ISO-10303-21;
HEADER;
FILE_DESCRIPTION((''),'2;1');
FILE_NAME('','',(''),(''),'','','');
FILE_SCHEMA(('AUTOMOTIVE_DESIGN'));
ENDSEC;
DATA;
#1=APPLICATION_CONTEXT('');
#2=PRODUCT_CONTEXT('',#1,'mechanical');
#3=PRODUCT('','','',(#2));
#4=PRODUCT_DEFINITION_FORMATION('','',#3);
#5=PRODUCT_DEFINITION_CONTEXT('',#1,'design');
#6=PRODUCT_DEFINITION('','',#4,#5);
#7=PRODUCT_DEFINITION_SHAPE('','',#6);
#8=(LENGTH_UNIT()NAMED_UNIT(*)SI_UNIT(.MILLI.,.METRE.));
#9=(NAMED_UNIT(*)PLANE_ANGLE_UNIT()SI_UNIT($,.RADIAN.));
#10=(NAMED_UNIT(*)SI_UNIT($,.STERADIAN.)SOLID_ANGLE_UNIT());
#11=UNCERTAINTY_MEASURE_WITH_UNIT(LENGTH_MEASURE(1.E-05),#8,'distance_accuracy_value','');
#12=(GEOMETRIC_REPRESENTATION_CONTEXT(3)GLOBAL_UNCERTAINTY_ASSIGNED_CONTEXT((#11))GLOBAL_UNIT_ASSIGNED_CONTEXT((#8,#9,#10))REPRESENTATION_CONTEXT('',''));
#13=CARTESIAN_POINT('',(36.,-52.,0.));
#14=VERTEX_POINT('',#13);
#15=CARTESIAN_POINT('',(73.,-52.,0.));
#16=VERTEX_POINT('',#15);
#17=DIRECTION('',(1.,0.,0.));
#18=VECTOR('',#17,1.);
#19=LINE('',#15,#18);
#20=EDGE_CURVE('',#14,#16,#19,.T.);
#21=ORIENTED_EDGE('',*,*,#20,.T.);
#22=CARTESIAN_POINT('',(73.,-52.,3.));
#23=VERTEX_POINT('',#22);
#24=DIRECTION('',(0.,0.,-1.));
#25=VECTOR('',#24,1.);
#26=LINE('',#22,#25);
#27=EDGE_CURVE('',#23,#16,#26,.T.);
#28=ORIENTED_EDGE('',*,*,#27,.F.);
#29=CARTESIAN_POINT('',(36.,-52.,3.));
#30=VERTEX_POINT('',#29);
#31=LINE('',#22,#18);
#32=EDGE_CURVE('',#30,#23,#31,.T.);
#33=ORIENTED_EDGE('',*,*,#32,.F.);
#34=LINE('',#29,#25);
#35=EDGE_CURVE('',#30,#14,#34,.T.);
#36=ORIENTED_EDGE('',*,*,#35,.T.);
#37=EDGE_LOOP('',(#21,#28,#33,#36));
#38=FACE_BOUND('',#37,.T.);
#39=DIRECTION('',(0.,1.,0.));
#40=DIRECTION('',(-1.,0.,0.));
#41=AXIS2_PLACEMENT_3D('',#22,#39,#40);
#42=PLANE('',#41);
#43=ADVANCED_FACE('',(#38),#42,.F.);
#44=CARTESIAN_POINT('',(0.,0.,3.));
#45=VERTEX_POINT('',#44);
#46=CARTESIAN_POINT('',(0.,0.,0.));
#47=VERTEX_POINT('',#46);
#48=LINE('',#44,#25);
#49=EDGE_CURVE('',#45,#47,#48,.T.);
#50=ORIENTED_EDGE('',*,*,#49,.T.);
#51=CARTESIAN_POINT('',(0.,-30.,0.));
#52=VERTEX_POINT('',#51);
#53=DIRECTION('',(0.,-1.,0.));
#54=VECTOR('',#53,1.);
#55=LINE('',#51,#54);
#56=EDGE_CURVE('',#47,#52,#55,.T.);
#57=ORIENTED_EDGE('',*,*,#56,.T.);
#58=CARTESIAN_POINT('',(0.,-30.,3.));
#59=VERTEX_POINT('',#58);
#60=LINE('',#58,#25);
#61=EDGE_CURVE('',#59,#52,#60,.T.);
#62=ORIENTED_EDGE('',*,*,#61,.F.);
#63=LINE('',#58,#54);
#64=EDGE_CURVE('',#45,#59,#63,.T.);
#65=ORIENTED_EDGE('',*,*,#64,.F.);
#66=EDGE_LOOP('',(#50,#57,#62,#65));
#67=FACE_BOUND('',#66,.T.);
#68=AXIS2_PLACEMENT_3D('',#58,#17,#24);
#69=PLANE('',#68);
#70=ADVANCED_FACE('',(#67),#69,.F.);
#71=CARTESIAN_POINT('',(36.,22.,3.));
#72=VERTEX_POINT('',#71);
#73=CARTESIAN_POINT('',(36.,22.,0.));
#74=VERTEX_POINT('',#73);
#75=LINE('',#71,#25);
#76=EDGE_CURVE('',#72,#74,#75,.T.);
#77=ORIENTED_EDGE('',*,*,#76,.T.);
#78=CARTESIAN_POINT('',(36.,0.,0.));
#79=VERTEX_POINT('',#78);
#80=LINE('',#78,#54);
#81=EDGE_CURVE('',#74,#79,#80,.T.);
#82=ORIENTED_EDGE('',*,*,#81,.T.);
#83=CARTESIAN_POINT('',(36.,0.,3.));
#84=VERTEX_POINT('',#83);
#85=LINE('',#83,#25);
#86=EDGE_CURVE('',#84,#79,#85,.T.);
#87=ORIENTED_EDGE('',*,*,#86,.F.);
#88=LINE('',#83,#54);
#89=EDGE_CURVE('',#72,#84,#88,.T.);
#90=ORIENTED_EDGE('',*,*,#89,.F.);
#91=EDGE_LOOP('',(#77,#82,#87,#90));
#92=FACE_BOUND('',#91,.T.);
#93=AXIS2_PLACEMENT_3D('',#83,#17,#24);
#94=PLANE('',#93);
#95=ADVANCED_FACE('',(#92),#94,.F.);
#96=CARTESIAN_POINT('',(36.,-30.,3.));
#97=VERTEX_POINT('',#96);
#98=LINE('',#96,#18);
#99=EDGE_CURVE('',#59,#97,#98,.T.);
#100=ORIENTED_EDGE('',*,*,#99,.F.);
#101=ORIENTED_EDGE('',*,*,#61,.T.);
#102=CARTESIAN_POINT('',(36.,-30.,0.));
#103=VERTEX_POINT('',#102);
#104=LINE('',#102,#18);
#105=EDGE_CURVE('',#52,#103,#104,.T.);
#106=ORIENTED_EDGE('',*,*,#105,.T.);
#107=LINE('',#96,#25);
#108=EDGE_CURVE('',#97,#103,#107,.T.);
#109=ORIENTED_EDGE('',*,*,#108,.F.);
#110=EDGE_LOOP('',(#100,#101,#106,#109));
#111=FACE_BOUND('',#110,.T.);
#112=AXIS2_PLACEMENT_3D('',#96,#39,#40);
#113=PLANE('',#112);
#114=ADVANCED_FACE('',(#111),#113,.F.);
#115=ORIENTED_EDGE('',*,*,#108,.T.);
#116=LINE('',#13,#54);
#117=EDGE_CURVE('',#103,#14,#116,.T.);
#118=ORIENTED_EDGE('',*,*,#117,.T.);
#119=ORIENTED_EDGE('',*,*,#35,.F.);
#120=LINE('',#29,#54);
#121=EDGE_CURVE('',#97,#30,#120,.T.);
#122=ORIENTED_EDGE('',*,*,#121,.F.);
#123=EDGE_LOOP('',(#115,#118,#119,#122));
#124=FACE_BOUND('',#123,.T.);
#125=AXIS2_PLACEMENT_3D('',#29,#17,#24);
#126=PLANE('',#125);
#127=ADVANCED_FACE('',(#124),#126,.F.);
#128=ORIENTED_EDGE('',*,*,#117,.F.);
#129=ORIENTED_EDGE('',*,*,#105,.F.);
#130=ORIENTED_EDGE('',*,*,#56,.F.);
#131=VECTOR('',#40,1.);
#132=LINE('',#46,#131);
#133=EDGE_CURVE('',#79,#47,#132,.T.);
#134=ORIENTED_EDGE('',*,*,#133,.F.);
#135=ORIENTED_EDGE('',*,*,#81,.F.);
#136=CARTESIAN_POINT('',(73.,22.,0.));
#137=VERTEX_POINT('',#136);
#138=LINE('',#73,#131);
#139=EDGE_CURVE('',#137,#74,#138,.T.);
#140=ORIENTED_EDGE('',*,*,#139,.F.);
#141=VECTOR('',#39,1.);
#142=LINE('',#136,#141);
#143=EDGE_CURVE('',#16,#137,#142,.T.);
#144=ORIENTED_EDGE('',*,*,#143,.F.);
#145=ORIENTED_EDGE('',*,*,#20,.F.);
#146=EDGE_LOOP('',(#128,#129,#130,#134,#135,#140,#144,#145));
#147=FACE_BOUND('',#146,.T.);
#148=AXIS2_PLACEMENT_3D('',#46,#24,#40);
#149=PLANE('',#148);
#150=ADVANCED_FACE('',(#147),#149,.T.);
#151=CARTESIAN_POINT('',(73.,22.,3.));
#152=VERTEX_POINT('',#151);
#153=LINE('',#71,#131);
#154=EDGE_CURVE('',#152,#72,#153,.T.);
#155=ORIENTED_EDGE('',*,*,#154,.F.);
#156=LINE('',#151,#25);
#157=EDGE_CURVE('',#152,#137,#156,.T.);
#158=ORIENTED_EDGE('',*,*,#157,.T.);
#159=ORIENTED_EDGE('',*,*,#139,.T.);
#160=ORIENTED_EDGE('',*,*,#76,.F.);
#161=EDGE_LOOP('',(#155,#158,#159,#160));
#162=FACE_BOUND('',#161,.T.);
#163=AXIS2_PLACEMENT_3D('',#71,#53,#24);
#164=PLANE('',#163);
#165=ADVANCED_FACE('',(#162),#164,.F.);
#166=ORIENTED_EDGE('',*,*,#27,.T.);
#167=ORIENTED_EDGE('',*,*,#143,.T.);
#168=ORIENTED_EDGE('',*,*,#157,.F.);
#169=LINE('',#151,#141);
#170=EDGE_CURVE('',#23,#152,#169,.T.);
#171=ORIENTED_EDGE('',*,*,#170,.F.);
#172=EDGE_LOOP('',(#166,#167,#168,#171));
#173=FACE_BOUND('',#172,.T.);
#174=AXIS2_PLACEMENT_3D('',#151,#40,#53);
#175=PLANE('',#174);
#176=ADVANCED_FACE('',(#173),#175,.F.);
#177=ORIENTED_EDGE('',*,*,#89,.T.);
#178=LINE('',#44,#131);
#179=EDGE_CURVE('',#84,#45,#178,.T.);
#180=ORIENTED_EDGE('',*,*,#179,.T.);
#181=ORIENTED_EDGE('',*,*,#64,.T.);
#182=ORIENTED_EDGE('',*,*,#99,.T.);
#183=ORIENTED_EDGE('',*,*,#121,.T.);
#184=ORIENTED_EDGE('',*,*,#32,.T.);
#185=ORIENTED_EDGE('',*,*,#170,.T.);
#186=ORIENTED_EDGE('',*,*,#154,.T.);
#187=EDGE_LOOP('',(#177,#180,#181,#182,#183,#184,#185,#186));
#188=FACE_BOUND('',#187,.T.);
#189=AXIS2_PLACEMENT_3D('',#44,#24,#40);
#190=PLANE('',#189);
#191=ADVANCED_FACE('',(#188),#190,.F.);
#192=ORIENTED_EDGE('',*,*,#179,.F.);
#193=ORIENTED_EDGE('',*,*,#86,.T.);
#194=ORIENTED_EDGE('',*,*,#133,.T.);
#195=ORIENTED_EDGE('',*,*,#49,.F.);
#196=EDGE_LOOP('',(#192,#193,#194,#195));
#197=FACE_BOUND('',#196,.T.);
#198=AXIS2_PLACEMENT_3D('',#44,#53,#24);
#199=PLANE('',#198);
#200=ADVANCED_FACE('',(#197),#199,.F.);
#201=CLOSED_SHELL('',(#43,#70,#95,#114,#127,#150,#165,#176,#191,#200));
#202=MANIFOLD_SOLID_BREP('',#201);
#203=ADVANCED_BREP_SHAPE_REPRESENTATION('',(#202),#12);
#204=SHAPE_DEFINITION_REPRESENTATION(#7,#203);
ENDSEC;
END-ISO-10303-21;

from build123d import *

# Parameters (mm, degrees)
EXTRUDE_1_DEPTH = 3


with BuildPart() as part:
    # 草图1 → 凸台-拉伸1 (new body)
    with BuildSketch(Plane.XY):
        Polygon((0, 0), (36, 0), (36, 22), (73, 22), (73, -52), (36, -52), (36, -30), (0, -30), align=None)
    extrude(amount=EXTRUDE_1_DEPTH)


solid = part.part
